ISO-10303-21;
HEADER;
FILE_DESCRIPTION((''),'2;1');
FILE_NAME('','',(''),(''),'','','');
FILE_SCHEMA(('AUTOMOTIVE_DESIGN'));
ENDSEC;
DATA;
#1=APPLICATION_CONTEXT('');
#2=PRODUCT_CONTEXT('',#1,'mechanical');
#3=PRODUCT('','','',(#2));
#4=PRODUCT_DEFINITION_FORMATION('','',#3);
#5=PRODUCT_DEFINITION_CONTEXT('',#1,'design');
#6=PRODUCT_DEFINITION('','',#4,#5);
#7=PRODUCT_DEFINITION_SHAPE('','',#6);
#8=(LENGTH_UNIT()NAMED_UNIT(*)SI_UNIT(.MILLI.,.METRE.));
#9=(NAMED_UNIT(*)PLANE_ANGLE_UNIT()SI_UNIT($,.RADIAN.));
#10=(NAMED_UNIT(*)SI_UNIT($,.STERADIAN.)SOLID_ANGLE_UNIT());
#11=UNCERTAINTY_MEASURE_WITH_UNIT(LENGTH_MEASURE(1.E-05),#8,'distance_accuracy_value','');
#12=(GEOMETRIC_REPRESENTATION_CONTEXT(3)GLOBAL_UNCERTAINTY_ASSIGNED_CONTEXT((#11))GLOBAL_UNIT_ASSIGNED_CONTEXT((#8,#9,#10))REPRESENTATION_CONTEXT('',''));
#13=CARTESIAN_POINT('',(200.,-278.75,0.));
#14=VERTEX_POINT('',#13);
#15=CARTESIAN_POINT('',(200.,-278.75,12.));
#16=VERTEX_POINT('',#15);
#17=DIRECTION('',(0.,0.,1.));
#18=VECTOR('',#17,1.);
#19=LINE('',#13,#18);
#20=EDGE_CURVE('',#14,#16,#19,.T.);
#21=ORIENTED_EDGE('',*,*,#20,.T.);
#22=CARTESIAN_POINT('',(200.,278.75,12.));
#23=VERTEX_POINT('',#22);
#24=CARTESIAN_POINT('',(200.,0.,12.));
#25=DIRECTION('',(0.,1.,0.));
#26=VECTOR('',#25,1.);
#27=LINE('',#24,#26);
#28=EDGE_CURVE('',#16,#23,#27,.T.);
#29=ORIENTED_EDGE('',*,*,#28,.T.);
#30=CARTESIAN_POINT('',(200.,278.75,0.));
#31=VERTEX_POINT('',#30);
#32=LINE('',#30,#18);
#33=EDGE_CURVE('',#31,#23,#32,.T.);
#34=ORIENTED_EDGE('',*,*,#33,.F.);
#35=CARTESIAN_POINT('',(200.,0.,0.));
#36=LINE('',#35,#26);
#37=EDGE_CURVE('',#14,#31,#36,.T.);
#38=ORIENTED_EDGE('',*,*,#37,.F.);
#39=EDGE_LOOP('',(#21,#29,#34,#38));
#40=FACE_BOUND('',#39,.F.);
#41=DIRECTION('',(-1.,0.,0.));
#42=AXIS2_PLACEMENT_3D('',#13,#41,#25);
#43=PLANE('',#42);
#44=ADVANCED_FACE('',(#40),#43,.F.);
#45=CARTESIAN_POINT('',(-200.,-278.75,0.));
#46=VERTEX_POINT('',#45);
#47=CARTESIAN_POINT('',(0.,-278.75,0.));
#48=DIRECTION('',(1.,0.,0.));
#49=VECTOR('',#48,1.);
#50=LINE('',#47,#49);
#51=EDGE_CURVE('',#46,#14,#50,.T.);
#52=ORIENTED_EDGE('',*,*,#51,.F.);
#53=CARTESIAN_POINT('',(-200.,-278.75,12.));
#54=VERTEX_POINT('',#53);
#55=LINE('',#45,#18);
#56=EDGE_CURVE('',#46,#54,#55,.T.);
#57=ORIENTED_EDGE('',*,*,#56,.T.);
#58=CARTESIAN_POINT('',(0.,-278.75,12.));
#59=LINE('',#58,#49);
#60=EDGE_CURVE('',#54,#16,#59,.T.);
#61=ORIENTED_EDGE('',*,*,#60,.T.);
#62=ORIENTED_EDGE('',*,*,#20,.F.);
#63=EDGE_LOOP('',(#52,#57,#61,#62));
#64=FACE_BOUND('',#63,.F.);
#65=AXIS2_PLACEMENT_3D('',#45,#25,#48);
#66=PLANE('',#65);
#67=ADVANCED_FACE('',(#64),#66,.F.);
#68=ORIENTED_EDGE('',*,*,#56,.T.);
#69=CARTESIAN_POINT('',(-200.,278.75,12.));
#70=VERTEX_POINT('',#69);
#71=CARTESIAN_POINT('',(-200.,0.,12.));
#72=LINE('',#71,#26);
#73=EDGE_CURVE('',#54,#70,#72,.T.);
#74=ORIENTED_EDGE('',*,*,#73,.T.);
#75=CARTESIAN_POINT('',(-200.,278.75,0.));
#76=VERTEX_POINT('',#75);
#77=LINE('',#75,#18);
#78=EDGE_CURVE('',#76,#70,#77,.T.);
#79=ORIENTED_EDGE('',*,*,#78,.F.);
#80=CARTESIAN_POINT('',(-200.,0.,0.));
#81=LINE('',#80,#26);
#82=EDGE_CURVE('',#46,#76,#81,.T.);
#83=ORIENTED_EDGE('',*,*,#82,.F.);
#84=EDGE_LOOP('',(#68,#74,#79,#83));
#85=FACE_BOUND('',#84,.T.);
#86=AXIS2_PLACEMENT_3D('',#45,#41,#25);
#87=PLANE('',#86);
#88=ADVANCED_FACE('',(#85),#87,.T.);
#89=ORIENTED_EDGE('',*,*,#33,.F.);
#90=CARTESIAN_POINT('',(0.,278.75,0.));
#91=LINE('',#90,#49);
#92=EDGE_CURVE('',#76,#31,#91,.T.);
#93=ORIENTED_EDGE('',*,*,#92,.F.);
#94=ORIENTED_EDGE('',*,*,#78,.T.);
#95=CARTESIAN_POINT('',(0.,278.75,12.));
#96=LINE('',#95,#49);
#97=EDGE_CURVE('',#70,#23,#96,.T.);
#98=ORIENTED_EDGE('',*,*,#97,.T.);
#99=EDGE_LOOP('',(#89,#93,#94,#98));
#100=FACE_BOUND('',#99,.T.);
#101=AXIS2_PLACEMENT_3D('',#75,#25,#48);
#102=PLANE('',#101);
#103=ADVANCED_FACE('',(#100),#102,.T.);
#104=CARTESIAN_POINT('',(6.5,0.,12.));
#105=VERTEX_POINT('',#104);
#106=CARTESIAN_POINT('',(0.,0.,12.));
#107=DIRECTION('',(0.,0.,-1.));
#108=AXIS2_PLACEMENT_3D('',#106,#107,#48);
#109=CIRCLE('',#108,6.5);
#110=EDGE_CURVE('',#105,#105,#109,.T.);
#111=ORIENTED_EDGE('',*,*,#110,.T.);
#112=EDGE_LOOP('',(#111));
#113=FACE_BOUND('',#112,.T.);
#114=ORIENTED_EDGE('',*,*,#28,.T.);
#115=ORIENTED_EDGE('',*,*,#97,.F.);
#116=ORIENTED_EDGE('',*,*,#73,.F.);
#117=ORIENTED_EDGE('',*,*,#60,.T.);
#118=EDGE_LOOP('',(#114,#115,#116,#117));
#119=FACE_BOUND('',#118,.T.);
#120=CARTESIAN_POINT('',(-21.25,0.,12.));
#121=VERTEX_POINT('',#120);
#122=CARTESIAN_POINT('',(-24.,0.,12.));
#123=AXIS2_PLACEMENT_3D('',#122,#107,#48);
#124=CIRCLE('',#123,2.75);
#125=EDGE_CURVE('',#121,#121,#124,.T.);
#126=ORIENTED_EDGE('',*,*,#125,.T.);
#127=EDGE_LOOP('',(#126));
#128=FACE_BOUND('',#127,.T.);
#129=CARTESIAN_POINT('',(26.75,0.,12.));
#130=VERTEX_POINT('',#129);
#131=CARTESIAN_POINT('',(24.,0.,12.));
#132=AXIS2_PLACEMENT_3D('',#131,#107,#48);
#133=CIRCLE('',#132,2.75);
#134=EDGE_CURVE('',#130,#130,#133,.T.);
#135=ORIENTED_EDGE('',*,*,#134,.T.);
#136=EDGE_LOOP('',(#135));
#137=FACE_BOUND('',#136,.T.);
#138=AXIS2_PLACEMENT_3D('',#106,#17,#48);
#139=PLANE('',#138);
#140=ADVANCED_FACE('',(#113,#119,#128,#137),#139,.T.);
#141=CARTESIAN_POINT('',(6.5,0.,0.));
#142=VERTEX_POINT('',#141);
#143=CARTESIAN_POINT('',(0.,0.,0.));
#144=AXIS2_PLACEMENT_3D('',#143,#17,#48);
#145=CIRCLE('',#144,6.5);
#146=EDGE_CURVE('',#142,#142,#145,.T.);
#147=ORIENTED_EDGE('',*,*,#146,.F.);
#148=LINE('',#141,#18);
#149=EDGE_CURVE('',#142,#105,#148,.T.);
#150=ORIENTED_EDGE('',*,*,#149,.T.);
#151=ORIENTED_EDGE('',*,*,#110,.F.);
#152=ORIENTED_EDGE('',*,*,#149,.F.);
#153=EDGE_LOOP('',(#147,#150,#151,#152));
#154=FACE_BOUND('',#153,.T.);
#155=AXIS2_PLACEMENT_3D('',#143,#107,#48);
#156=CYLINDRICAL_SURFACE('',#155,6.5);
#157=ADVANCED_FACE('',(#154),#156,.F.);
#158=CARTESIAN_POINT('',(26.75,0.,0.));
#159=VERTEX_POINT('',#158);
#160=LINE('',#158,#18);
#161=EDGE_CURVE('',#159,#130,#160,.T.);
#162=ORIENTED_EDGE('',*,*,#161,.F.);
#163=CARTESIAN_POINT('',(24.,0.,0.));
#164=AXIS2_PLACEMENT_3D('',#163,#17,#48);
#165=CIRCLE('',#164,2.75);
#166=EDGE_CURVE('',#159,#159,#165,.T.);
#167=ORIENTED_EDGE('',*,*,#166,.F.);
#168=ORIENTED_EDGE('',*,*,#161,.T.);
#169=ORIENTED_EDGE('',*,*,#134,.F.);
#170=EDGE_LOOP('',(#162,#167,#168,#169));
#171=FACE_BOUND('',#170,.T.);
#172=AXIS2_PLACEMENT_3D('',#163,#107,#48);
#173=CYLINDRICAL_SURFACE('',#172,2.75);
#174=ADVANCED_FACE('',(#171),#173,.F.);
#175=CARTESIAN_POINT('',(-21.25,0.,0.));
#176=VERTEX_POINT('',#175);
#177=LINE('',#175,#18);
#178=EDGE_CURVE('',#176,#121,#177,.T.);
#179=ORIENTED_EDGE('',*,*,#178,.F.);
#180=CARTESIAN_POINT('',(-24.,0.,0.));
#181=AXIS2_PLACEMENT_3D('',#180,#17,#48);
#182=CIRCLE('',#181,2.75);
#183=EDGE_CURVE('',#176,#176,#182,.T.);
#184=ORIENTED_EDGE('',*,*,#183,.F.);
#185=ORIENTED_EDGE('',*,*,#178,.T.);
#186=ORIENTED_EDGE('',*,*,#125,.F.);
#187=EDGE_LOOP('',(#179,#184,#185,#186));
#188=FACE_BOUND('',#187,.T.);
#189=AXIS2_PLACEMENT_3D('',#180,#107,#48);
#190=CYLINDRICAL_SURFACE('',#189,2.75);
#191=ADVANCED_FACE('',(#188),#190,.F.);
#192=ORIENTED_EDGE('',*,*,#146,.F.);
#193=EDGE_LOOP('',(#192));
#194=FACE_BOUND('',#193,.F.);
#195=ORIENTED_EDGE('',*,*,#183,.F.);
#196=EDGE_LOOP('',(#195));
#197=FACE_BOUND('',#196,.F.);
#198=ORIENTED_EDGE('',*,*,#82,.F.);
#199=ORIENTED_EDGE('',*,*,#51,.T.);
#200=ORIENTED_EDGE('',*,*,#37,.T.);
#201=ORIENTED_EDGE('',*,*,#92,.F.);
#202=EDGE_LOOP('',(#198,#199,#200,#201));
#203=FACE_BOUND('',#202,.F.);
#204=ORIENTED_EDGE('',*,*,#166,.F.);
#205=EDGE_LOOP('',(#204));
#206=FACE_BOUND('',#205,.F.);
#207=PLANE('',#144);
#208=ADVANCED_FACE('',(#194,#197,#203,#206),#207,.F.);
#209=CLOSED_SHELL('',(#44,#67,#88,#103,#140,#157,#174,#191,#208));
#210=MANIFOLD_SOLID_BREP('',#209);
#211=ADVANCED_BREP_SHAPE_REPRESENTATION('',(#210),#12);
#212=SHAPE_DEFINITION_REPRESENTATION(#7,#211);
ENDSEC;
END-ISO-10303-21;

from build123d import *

# Parameters (mm, degrees)
SKETCH020_W     = 400
SKETCH020_H     = 557.5
PAD008_DEPTH    = 12
SKETCH021_R     = 6.5
POCKET005_DEPTH = 12.001
SKETCH039_R     = 2.75
HOLE006_DEPTH   = 1386.241465


with BuildPart() as part:
    # Sketch020 → Pad008 (new body)
    with BuildSketch(Plane.XY):
        Rectangle(SKETCH020_W, SKETCH020_H)
    extrude(amount=PAD008_DEPTH)

    # Sketch021 → Pocket005 (cut, through all)
    with BuildSketch(Plane.XY):
        Circle(SKETCH021_R)
    extrude(amount=POCKET005_DEPTH, mode=Mode.SUBTRACT)

    # Sketch039 → Hole006 (cut)
    with BuildSketch(Plane.XY):
        with Locations((-24, 0)):
            Circle(SKETCH039_R)
        with Locations((24, 0)):
            Circle(SKETCH039_R)
    extrude(amount=HOLE006_DEPTH, mode=Mode.SUBTRACT)


solid = part.part
